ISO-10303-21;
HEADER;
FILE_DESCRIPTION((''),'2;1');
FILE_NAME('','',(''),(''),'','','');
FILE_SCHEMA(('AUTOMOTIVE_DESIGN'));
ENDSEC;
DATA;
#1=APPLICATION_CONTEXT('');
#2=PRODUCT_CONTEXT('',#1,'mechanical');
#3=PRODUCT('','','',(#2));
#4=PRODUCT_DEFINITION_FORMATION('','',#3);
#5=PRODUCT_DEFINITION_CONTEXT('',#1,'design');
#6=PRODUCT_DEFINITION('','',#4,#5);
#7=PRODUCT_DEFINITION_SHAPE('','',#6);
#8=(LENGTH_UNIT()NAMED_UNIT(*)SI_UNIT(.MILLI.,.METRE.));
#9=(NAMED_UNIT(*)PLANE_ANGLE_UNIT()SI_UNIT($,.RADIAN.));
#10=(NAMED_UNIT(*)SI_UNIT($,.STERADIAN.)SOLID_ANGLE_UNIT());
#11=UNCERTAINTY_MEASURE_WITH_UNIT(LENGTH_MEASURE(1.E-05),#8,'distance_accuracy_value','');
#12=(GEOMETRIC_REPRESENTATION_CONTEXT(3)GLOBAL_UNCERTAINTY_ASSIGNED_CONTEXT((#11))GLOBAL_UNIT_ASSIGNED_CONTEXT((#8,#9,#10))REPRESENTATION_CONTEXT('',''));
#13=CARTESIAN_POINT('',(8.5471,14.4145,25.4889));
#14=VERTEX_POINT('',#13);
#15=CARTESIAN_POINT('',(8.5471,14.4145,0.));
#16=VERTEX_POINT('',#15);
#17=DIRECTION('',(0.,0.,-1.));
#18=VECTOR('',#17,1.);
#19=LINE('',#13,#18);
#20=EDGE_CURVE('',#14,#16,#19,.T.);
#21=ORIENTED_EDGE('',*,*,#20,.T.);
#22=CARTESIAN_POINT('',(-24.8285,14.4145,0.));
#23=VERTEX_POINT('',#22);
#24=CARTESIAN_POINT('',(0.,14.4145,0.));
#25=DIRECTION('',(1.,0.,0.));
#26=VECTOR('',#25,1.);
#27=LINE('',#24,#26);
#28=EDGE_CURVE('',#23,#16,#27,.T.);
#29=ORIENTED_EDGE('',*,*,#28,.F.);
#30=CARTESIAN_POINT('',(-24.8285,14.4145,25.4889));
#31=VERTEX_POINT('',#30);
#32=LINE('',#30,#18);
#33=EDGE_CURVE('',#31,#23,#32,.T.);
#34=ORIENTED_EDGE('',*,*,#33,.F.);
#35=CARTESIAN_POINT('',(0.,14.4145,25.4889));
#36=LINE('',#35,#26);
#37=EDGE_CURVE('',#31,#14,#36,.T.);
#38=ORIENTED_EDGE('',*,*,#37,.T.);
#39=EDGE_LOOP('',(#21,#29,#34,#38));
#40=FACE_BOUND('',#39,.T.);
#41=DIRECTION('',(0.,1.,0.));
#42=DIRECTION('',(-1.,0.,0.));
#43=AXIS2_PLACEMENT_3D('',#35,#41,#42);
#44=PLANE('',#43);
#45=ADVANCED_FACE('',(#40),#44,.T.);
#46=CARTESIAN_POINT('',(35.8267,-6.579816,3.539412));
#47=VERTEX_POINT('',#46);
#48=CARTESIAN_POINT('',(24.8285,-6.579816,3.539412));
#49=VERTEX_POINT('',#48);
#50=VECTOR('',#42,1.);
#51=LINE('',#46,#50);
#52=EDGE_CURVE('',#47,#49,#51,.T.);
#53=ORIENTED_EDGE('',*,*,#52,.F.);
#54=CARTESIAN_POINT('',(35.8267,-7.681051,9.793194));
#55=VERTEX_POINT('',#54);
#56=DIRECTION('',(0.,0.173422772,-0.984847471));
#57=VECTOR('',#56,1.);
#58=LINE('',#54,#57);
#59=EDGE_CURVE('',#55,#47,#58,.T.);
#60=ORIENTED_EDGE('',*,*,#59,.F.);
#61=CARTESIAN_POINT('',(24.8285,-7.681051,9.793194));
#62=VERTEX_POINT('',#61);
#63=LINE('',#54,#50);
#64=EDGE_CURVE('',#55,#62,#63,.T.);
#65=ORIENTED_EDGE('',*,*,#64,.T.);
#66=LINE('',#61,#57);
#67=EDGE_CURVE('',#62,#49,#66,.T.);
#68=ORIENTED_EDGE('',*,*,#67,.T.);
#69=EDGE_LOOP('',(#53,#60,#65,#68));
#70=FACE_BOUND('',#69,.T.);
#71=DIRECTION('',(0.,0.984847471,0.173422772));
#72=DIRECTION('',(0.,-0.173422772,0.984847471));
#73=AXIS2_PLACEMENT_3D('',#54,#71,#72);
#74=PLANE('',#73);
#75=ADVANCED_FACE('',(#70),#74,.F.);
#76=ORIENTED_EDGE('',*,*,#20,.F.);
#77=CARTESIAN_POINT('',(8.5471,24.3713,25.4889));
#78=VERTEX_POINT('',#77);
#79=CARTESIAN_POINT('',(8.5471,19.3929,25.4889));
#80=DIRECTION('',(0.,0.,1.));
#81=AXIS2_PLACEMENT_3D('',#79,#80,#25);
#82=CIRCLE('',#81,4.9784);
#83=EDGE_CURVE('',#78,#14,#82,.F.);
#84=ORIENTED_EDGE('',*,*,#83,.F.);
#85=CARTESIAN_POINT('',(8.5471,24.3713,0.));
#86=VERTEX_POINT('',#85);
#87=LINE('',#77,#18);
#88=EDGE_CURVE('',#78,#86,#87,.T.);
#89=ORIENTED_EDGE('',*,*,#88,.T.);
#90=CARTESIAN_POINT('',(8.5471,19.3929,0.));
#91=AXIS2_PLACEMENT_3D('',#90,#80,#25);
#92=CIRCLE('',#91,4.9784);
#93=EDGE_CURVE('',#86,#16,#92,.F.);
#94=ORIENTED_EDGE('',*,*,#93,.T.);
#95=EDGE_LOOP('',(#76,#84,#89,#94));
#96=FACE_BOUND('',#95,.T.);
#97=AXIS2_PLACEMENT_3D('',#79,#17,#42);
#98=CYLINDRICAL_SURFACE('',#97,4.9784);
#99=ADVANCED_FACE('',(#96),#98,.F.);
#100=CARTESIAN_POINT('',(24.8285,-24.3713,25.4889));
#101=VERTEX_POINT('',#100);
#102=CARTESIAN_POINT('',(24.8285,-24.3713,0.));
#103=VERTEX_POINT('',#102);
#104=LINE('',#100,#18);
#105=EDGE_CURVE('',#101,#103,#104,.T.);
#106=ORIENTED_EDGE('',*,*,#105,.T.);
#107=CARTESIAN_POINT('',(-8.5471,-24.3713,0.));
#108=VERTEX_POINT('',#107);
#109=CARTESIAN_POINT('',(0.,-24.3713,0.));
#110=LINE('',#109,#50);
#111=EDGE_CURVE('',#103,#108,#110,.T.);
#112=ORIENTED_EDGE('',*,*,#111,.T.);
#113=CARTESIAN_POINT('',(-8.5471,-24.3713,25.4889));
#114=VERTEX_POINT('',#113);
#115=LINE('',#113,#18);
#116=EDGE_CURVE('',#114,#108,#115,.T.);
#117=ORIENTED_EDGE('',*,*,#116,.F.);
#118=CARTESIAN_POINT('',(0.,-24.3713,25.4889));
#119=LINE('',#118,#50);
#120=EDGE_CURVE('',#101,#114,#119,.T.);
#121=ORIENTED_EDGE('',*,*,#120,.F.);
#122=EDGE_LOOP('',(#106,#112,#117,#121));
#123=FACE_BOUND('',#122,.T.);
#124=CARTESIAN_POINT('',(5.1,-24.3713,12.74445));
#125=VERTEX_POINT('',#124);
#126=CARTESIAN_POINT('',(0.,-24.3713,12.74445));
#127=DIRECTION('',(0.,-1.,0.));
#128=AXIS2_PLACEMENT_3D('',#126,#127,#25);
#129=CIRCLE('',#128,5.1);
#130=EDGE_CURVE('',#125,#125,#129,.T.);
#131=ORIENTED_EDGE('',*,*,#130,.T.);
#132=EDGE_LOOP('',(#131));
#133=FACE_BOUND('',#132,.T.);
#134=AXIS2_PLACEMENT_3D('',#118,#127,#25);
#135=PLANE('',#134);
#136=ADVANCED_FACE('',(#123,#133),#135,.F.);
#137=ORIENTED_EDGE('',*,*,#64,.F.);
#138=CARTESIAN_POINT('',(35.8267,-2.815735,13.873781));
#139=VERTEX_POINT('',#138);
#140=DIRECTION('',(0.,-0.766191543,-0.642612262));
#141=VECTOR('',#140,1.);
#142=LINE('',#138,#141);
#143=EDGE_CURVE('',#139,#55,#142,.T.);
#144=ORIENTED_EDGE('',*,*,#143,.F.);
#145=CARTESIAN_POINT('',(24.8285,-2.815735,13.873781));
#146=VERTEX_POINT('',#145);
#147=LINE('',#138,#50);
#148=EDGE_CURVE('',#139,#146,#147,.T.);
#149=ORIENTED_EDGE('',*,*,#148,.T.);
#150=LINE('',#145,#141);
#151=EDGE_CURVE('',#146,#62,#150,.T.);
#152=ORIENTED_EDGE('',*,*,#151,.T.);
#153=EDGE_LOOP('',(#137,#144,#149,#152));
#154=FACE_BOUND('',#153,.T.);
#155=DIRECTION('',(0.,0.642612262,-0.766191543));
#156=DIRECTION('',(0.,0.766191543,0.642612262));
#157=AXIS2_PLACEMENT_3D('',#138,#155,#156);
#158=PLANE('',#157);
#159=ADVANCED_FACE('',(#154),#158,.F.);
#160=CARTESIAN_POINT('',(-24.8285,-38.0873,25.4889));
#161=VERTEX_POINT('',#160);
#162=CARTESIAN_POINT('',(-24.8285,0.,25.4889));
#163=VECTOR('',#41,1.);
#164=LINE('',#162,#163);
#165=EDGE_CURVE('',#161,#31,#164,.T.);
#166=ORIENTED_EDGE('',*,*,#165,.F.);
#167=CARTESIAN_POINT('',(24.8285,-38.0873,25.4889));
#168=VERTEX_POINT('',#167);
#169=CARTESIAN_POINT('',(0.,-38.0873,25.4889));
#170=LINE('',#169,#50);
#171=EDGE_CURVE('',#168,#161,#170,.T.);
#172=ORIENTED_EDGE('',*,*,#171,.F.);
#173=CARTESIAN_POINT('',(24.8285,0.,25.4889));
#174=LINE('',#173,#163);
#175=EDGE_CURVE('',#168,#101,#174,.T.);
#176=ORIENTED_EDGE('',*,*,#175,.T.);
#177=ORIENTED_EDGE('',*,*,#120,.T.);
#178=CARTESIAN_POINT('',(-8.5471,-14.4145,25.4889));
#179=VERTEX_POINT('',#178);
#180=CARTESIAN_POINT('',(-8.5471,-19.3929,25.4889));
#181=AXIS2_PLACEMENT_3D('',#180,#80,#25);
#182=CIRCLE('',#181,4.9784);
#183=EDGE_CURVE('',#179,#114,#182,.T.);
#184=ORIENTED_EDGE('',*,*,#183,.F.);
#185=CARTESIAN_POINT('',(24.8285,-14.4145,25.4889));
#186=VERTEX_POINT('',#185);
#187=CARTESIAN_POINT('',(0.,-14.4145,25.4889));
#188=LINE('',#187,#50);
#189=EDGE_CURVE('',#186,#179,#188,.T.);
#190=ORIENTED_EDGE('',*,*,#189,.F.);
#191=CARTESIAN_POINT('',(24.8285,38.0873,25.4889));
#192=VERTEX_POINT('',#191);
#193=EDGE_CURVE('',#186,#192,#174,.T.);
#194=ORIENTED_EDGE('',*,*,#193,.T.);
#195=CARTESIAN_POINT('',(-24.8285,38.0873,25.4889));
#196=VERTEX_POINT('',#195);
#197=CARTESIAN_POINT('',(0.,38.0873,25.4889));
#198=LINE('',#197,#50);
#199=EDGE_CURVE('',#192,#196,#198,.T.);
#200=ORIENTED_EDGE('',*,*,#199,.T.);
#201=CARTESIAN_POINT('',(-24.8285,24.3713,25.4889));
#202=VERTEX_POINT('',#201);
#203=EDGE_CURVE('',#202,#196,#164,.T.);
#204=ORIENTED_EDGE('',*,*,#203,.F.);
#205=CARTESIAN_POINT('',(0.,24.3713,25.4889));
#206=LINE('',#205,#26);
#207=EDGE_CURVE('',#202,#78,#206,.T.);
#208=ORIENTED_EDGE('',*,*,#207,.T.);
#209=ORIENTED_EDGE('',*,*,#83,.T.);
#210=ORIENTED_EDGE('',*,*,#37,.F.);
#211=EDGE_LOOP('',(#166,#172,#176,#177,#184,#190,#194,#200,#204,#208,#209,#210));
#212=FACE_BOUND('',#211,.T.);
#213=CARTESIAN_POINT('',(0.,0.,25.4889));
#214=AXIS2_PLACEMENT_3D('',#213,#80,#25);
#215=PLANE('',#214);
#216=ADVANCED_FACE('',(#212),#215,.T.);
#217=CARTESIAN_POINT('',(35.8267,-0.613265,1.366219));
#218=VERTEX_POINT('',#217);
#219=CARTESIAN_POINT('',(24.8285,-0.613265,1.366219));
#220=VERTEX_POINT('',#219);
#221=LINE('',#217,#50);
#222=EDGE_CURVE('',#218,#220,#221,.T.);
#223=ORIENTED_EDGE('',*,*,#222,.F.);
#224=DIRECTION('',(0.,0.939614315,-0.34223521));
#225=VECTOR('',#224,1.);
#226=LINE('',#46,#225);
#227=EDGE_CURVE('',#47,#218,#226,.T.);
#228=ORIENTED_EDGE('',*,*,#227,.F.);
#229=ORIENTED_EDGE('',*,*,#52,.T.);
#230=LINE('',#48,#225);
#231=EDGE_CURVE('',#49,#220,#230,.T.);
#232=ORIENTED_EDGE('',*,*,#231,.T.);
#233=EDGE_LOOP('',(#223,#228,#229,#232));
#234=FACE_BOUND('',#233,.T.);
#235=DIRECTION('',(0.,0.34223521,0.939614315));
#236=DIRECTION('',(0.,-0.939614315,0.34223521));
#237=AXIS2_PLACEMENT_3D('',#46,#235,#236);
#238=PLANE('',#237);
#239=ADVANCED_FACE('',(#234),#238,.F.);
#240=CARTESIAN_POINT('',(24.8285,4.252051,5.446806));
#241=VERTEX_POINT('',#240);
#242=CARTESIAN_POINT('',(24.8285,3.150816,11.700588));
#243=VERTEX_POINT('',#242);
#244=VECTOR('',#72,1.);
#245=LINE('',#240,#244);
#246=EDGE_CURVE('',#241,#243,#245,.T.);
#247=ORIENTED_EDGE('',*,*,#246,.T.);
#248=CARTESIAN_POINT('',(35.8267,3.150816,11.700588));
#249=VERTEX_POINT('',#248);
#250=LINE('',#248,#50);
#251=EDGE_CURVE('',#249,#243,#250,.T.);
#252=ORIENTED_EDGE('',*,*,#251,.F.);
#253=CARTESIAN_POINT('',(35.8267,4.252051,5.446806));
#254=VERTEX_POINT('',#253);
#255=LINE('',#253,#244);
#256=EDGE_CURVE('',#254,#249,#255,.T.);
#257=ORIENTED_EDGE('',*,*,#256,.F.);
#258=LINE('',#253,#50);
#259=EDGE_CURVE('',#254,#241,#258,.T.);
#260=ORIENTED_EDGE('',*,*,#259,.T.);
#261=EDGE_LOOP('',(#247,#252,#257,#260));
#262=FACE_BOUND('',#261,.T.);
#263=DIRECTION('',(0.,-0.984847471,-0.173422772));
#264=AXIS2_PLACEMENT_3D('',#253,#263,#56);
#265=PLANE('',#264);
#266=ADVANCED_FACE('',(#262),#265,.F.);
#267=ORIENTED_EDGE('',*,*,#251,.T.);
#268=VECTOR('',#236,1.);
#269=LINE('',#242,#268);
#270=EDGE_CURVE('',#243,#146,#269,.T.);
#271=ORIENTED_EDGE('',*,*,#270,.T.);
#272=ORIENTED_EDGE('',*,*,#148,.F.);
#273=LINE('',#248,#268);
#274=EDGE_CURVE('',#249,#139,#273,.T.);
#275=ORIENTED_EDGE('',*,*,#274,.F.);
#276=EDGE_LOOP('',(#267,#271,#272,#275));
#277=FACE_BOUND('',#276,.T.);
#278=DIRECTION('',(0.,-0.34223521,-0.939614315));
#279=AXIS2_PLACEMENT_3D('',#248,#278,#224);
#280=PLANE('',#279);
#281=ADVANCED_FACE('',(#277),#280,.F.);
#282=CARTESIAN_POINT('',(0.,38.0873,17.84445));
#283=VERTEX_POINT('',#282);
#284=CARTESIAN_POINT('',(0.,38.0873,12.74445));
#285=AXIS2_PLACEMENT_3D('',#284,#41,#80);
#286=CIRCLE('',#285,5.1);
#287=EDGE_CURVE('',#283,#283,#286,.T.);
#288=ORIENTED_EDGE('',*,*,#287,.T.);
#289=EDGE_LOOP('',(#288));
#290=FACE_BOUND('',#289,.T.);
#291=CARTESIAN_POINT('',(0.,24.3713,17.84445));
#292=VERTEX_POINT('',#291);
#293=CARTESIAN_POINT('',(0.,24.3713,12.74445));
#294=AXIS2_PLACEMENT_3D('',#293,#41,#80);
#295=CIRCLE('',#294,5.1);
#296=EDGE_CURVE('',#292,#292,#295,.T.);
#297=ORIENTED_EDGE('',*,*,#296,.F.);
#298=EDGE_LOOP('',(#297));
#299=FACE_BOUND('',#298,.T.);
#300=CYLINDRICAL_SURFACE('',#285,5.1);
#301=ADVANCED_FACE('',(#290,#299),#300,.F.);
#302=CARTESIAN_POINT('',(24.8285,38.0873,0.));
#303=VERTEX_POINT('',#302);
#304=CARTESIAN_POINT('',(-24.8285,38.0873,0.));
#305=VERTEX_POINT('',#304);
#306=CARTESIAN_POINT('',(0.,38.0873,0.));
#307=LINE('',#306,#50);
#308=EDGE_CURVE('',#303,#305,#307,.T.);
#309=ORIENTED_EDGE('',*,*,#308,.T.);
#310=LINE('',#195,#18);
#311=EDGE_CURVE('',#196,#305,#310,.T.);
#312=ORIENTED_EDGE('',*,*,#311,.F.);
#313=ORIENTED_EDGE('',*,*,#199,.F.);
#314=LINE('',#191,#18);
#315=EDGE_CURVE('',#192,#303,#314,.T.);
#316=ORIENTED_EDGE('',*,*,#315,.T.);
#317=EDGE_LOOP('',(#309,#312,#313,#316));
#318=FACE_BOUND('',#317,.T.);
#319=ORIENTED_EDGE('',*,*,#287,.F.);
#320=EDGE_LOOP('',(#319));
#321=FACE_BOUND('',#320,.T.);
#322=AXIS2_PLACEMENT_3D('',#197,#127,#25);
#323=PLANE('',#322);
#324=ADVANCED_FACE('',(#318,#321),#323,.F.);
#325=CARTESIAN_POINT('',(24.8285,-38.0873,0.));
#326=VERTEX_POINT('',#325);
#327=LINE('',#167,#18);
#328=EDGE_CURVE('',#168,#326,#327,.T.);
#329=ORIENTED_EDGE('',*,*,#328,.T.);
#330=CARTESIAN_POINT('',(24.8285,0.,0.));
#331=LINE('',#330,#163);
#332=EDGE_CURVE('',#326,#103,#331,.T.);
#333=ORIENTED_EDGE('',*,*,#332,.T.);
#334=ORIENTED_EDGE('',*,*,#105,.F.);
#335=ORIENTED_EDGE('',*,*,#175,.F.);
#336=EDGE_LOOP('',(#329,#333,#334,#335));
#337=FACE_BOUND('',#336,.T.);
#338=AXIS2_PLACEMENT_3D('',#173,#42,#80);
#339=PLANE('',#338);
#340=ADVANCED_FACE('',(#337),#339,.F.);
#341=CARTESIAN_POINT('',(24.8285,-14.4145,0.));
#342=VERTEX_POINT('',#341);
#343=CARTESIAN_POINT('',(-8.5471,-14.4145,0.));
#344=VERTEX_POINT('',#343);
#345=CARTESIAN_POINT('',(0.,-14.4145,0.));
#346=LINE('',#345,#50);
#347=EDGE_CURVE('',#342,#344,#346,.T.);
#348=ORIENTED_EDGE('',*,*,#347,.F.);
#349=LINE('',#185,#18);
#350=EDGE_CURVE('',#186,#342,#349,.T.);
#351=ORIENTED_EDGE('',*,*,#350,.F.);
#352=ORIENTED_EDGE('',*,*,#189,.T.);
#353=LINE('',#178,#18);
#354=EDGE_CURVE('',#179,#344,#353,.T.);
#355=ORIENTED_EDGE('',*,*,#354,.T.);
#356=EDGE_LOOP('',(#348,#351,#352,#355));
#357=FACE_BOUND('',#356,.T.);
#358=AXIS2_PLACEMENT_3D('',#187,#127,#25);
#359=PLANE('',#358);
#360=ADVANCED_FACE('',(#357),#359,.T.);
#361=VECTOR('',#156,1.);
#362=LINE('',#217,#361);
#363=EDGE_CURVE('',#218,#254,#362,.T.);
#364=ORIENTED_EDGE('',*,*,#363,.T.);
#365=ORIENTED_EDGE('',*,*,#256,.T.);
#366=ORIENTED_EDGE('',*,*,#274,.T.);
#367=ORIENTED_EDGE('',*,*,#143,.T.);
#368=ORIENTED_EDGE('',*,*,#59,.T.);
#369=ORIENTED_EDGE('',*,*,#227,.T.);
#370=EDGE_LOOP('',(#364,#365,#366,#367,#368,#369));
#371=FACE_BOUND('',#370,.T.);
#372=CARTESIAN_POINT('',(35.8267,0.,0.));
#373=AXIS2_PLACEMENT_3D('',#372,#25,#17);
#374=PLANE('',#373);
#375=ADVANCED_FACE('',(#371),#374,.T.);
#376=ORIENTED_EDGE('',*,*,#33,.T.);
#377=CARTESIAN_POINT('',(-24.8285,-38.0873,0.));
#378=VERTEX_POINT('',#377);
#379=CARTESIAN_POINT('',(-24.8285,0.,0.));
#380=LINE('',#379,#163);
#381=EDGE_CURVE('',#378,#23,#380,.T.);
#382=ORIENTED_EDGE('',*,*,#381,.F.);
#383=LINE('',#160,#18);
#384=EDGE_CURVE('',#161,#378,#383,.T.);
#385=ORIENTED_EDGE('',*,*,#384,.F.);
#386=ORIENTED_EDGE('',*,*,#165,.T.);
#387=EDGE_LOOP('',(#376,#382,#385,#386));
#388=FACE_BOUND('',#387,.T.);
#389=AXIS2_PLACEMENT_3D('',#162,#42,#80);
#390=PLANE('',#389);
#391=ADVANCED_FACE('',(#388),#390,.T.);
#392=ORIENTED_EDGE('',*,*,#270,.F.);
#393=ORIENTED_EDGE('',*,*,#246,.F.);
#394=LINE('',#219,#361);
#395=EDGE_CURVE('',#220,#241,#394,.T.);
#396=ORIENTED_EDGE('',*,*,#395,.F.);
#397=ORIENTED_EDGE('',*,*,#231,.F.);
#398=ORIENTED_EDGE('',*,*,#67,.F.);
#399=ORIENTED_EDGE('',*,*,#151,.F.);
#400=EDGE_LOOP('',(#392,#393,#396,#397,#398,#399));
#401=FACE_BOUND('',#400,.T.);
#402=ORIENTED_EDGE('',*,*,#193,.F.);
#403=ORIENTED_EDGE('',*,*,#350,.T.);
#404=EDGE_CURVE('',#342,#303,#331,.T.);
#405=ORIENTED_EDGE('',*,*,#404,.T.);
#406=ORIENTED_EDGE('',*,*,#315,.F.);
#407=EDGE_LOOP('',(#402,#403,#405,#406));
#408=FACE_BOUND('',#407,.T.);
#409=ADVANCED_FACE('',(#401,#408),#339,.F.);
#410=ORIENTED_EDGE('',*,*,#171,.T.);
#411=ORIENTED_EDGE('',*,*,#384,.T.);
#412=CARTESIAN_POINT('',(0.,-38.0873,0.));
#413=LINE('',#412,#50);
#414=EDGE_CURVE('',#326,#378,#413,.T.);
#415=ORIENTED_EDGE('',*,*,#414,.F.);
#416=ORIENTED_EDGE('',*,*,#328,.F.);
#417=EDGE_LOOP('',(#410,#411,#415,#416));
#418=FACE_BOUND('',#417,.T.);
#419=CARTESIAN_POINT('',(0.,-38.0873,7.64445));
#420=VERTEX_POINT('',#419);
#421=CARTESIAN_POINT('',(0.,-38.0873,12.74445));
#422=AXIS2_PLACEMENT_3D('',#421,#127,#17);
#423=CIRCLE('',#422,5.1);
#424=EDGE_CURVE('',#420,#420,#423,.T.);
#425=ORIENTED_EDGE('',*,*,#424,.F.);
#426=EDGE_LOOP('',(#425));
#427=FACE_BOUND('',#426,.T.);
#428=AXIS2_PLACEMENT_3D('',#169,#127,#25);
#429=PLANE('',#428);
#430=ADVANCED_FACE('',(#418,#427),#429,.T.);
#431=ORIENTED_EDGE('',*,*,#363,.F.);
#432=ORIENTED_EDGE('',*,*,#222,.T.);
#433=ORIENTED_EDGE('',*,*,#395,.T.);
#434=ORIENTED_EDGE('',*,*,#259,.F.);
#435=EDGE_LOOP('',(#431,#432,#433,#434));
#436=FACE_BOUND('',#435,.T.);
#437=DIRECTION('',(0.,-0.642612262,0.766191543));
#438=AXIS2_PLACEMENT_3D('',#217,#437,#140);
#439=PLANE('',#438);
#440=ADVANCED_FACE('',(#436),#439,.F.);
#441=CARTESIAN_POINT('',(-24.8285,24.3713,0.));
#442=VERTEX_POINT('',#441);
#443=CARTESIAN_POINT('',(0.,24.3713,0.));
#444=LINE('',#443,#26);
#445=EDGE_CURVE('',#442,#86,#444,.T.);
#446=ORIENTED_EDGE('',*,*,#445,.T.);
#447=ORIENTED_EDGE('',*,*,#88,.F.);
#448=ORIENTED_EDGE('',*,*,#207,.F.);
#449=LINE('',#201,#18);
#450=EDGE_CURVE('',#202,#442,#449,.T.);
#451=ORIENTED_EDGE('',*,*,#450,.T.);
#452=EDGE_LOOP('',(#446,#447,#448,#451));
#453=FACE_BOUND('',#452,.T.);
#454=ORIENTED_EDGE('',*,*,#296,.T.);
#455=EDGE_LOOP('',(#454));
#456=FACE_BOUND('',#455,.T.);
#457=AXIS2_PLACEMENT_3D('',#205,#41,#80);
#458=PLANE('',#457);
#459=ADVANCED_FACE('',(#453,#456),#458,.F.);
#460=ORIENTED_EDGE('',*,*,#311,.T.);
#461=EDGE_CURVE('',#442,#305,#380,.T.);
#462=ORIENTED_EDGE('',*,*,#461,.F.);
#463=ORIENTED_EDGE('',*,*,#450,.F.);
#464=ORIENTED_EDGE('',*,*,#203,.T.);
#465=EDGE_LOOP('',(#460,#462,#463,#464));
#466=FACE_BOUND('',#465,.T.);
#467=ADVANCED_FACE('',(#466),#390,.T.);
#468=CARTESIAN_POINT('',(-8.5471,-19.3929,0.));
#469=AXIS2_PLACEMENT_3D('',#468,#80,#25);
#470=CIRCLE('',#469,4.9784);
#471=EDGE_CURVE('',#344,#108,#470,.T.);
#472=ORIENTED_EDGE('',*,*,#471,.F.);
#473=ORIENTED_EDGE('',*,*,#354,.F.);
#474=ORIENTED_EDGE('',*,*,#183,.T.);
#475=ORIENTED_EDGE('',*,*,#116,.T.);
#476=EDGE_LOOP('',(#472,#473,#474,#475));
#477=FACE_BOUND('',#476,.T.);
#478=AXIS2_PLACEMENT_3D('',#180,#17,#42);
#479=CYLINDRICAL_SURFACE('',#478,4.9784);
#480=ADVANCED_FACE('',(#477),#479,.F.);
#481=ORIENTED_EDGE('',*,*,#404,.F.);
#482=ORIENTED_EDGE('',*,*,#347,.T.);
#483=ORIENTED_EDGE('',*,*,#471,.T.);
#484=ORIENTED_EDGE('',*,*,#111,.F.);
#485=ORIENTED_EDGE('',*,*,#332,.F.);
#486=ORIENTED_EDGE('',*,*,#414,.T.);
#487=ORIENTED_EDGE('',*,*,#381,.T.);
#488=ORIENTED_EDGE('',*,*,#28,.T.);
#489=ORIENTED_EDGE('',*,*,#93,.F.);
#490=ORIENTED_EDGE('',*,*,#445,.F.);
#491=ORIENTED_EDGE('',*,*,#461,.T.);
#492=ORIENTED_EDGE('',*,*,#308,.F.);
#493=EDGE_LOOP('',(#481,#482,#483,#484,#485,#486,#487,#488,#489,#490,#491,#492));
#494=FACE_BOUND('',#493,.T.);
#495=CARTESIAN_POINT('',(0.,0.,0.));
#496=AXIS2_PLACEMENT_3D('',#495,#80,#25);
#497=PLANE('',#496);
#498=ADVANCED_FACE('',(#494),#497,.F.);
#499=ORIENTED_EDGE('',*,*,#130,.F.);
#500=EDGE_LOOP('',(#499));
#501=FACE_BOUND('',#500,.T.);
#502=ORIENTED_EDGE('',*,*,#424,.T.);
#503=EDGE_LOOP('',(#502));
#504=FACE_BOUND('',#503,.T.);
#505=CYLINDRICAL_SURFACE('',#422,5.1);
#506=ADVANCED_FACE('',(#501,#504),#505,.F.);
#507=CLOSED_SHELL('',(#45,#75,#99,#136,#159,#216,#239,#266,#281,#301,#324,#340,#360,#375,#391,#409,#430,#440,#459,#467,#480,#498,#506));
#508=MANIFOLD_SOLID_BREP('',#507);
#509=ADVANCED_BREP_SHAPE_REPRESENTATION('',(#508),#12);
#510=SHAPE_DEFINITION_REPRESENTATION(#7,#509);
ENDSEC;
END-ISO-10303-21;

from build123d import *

# Parameters (mm, degrees)
BOSS_EXTRUDE1_DEPTH               = 25.4889
BOSS_EXTRUDE2_DEPTH               = 10.9982
TAP_DRILL_FOR_M12X1_75_TAP1_D     = 10.2
TAP_DRILL_FOR_M12X1_75_TAP1_DEPTH = 19.05
TAP_DRILL_FOR_M12X1_75_TAP1_TIP   = 3.064389157
TAP_DRILL_FOR_M12X1_75_TAP2_D     = 10.2
TAP_DRILL_FOR_M12X1_75_TAP2_DEPTH = 19.05
TAP_DRILL_FOR_M12X1_75_TAP2_TIP   = 3.064389157


with BuildPart() as part:
    # Sketch1 → Boss-Extrude1 (new body)
    with BuildSketch(Plane.XY):
        with BuildLine():
            Line((-24.8285, -38.0873), (24.8285, -38.0873))
            Line((24.8285, -38.0873), (24.8285, -24.3713))
            Line((24.8285, -24.3713), (-8.5471, -24.3713))
            ThreePointArc((-8.5471, -24.3713), (-13.5255, -19.3929), (-8.5471, -14.4145))
            Line((-8.5471, -14.4145), (24.8285, -14.4145))
            Line((24.8285, -14.4145), (24.8285, 38.0873))
            Line((24.8285, 38.0873), (-24.8285, 38.0873))
            Line((-24.8285, 38.0873), (-24.8285, 24.3713))
            Line((-24.8285, 24.3713), (8.5471, 24.3713))
            ThreePointArc((8.5471, 24.3713), (13.5255, 19.3929), (8.5471, 14.4145))
            Line((8.5471, 14.4145), (-24.8285, 14.4145))
            Line((-24.8285, 14.4145), (-24.8285, -38.0873))
        make_face()
    extrude(amount=BOSS_EXTRUDE1_DEPTH)

    # Sketch2 → Boss-Extrude2 (add)
    with BuildSketch(Plane(origin=(24.8285, 0, 0), x_dir=(0, 0, -1), z_dir=(1, 0, 0))):
        Polygon((-11.700587864, 3.150816299), (-13.873781444, -2.815734603), (-9.79319358, -7.681050902), (-3.539412136, -6.579816299), (-1.366218556, -0.613265397), (-5.44680642, 4.252050902), align=None)
    extrude(amount=BOSS_EXTRUDE2_DEPTH)

    # Tap Drill for M12x1.75 Tap1
    with Locations(Plane(origin=(0, 38.0873, 0), x_dir=(1, 0, 0), z_dir=(0, 1, 0))):
        with Locations((0, -12.74445)):
            Hole(TAP_DRILL_FOR_M12X1_75_TAP1_D / 2, depth=TAP_DRILL_FOR_M12X1_75_TAP1_DEPTH)
            with Locations((0, 0, -(TAP_DRILL_FOR_M12X1_75_TAP1_DEPTH + TAP_DRILL_FOR_M12X1_75_TAP1_TIP / 2))):  # 118° drill point
                Cone(0, TAP_DRILL_FOR_M12X1_75_TAP1_D / 2, TAP_DRILL_FOR_M12X1_75_TAP1_TIP, mode=Mode.SUBTRACT)

    # Tap Drill for M12x1.75 Tap2
    with Locations(Plane(origin=(0, -38.0873, 0), x_dir=(-1, 0, 0), z_dir=(0, -1, 0))):
        with Locations((0, -12.74445)):
            Hole(TAP_DRILL_FOR_M12X1_75_TAP2_D / 2, depth=TAP_DRILL_FOR_M12X1_75_TAP2_DEPTH)
            with Locations((0, 0, -(TAP_DRILL_FOR_M12X1_75_TAP2_DEPTH + TAP_DRILL_FOR_M12X1_75_TAP2_TIP / 2))):  # 118° drill point
                Cone(0, TAP_DRILL_FOR_M12X1_75_TAP2_D / 2, TAP_DRILL_FOR_M12X1_75_TAP2_TIP, mode=Mode.SUBTRACT)


solid = part.part
